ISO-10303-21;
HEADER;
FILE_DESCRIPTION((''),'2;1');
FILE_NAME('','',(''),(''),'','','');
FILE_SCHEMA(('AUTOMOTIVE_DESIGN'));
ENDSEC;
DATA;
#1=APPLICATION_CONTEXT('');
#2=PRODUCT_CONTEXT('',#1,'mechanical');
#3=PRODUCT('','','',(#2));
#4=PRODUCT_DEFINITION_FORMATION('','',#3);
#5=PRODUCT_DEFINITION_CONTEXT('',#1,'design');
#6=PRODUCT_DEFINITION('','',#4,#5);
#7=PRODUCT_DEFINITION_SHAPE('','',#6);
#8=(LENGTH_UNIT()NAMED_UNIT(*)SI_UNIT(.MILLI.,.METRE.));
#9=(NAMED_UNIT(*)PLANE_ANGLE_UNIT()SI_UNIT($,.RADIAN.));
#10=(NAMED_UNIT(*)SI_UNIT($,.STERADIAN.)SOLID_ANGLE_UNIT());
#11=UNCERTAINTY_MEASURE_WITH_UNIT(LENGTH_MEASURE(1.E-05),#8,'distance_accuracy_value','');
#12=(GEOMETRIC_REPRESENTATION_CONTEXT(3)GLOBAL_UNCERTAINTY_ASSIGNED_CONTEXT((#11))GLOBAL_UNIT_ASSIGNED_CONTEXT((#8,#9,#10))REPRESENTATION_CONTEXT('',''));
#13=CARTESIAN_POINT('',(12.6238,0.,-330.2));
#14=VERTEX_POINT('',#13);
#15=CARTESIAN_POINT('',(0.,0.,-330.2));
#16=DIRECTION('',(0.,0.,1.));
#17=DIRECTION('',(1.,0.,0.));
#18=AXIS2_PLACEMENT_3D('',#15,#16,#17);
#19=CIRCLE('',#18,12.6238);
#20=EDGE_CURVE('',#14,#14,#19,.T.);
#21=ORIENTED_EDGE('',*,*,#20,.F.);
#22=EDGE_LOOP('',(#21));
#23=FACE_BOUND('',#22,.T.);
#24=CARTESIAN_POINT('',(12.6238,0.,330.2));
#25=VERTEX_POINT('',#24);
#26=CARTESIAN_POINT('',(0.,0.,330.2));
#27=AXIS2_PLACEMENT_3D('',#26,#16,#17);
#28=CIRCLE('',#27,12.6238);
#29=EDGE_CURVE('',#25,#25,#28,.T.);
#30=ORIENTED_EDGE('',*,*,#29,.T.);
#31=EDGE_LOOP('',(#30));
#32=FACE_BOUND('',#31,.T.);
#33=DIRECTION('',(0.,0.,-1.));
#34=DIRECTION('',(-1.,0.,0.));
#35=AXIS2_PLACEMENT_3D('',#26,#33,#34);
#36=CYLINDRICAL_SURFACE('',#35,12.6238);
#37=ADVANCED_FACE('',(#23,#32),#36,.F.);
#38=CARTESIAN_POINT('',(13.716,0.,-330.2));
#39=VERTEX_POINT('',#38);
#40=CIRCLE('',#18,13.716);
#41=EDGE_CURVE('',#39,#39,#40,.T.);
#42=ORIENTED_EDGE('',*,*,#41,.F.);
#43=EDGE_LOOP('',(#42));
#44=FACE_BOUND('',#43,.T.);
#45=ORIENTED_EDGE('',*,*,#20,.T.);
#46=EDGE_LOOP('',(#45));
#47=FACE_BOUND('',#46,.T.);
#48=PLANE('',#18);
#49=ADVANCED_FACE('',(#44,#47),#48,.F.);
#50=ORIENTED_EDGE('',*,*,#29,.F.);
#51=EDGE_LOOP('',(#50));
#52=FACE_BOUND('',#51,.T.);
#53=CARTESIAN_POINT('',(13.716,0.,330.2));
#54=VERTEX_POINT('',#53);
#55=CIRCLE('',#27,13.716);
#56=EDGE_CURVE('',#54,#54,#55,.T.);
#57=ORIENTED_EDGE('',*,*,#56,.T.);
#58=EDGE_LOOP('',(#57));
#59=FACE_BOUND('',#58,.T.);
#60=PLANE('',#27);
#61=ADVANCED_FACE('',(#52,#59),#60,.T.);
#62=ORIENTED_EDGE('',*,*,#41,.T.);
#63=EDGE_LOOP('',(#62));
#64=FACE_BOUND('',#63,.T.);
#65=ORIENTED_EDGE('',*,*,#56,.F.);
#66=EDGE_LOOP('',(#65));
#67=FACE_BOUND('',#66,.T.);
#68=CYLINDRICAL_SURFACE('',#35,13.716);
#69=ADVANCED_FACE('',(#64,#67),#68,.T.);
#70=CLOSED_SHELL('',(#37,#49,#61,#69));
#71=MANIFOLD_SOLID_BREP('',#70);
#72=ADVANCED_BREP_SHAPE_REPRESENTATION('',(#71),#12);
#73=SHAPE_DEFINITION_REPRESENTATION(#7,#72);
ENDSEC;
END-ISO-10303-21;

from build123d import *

# Parameters (mm, degrees)
SKETCH1_R           = 13.716
SKETCH1_R_2         = 12.6238
EXTRUDE_THIN1_DEPTH = 330.2


with BuildPart() as part:
    # Sketch1 → Extrude-Thin1 (new body, symmetric)
    with BuildSketch(Plane.XY):
        Circle(SKETCH1_R)
        Circle(SKETCH1_R_2, mode=Mode.SUBTRACT)
    extrude(amount=EXTRUDE_THIN1_DEPTH, both=True)


solid = part.part
